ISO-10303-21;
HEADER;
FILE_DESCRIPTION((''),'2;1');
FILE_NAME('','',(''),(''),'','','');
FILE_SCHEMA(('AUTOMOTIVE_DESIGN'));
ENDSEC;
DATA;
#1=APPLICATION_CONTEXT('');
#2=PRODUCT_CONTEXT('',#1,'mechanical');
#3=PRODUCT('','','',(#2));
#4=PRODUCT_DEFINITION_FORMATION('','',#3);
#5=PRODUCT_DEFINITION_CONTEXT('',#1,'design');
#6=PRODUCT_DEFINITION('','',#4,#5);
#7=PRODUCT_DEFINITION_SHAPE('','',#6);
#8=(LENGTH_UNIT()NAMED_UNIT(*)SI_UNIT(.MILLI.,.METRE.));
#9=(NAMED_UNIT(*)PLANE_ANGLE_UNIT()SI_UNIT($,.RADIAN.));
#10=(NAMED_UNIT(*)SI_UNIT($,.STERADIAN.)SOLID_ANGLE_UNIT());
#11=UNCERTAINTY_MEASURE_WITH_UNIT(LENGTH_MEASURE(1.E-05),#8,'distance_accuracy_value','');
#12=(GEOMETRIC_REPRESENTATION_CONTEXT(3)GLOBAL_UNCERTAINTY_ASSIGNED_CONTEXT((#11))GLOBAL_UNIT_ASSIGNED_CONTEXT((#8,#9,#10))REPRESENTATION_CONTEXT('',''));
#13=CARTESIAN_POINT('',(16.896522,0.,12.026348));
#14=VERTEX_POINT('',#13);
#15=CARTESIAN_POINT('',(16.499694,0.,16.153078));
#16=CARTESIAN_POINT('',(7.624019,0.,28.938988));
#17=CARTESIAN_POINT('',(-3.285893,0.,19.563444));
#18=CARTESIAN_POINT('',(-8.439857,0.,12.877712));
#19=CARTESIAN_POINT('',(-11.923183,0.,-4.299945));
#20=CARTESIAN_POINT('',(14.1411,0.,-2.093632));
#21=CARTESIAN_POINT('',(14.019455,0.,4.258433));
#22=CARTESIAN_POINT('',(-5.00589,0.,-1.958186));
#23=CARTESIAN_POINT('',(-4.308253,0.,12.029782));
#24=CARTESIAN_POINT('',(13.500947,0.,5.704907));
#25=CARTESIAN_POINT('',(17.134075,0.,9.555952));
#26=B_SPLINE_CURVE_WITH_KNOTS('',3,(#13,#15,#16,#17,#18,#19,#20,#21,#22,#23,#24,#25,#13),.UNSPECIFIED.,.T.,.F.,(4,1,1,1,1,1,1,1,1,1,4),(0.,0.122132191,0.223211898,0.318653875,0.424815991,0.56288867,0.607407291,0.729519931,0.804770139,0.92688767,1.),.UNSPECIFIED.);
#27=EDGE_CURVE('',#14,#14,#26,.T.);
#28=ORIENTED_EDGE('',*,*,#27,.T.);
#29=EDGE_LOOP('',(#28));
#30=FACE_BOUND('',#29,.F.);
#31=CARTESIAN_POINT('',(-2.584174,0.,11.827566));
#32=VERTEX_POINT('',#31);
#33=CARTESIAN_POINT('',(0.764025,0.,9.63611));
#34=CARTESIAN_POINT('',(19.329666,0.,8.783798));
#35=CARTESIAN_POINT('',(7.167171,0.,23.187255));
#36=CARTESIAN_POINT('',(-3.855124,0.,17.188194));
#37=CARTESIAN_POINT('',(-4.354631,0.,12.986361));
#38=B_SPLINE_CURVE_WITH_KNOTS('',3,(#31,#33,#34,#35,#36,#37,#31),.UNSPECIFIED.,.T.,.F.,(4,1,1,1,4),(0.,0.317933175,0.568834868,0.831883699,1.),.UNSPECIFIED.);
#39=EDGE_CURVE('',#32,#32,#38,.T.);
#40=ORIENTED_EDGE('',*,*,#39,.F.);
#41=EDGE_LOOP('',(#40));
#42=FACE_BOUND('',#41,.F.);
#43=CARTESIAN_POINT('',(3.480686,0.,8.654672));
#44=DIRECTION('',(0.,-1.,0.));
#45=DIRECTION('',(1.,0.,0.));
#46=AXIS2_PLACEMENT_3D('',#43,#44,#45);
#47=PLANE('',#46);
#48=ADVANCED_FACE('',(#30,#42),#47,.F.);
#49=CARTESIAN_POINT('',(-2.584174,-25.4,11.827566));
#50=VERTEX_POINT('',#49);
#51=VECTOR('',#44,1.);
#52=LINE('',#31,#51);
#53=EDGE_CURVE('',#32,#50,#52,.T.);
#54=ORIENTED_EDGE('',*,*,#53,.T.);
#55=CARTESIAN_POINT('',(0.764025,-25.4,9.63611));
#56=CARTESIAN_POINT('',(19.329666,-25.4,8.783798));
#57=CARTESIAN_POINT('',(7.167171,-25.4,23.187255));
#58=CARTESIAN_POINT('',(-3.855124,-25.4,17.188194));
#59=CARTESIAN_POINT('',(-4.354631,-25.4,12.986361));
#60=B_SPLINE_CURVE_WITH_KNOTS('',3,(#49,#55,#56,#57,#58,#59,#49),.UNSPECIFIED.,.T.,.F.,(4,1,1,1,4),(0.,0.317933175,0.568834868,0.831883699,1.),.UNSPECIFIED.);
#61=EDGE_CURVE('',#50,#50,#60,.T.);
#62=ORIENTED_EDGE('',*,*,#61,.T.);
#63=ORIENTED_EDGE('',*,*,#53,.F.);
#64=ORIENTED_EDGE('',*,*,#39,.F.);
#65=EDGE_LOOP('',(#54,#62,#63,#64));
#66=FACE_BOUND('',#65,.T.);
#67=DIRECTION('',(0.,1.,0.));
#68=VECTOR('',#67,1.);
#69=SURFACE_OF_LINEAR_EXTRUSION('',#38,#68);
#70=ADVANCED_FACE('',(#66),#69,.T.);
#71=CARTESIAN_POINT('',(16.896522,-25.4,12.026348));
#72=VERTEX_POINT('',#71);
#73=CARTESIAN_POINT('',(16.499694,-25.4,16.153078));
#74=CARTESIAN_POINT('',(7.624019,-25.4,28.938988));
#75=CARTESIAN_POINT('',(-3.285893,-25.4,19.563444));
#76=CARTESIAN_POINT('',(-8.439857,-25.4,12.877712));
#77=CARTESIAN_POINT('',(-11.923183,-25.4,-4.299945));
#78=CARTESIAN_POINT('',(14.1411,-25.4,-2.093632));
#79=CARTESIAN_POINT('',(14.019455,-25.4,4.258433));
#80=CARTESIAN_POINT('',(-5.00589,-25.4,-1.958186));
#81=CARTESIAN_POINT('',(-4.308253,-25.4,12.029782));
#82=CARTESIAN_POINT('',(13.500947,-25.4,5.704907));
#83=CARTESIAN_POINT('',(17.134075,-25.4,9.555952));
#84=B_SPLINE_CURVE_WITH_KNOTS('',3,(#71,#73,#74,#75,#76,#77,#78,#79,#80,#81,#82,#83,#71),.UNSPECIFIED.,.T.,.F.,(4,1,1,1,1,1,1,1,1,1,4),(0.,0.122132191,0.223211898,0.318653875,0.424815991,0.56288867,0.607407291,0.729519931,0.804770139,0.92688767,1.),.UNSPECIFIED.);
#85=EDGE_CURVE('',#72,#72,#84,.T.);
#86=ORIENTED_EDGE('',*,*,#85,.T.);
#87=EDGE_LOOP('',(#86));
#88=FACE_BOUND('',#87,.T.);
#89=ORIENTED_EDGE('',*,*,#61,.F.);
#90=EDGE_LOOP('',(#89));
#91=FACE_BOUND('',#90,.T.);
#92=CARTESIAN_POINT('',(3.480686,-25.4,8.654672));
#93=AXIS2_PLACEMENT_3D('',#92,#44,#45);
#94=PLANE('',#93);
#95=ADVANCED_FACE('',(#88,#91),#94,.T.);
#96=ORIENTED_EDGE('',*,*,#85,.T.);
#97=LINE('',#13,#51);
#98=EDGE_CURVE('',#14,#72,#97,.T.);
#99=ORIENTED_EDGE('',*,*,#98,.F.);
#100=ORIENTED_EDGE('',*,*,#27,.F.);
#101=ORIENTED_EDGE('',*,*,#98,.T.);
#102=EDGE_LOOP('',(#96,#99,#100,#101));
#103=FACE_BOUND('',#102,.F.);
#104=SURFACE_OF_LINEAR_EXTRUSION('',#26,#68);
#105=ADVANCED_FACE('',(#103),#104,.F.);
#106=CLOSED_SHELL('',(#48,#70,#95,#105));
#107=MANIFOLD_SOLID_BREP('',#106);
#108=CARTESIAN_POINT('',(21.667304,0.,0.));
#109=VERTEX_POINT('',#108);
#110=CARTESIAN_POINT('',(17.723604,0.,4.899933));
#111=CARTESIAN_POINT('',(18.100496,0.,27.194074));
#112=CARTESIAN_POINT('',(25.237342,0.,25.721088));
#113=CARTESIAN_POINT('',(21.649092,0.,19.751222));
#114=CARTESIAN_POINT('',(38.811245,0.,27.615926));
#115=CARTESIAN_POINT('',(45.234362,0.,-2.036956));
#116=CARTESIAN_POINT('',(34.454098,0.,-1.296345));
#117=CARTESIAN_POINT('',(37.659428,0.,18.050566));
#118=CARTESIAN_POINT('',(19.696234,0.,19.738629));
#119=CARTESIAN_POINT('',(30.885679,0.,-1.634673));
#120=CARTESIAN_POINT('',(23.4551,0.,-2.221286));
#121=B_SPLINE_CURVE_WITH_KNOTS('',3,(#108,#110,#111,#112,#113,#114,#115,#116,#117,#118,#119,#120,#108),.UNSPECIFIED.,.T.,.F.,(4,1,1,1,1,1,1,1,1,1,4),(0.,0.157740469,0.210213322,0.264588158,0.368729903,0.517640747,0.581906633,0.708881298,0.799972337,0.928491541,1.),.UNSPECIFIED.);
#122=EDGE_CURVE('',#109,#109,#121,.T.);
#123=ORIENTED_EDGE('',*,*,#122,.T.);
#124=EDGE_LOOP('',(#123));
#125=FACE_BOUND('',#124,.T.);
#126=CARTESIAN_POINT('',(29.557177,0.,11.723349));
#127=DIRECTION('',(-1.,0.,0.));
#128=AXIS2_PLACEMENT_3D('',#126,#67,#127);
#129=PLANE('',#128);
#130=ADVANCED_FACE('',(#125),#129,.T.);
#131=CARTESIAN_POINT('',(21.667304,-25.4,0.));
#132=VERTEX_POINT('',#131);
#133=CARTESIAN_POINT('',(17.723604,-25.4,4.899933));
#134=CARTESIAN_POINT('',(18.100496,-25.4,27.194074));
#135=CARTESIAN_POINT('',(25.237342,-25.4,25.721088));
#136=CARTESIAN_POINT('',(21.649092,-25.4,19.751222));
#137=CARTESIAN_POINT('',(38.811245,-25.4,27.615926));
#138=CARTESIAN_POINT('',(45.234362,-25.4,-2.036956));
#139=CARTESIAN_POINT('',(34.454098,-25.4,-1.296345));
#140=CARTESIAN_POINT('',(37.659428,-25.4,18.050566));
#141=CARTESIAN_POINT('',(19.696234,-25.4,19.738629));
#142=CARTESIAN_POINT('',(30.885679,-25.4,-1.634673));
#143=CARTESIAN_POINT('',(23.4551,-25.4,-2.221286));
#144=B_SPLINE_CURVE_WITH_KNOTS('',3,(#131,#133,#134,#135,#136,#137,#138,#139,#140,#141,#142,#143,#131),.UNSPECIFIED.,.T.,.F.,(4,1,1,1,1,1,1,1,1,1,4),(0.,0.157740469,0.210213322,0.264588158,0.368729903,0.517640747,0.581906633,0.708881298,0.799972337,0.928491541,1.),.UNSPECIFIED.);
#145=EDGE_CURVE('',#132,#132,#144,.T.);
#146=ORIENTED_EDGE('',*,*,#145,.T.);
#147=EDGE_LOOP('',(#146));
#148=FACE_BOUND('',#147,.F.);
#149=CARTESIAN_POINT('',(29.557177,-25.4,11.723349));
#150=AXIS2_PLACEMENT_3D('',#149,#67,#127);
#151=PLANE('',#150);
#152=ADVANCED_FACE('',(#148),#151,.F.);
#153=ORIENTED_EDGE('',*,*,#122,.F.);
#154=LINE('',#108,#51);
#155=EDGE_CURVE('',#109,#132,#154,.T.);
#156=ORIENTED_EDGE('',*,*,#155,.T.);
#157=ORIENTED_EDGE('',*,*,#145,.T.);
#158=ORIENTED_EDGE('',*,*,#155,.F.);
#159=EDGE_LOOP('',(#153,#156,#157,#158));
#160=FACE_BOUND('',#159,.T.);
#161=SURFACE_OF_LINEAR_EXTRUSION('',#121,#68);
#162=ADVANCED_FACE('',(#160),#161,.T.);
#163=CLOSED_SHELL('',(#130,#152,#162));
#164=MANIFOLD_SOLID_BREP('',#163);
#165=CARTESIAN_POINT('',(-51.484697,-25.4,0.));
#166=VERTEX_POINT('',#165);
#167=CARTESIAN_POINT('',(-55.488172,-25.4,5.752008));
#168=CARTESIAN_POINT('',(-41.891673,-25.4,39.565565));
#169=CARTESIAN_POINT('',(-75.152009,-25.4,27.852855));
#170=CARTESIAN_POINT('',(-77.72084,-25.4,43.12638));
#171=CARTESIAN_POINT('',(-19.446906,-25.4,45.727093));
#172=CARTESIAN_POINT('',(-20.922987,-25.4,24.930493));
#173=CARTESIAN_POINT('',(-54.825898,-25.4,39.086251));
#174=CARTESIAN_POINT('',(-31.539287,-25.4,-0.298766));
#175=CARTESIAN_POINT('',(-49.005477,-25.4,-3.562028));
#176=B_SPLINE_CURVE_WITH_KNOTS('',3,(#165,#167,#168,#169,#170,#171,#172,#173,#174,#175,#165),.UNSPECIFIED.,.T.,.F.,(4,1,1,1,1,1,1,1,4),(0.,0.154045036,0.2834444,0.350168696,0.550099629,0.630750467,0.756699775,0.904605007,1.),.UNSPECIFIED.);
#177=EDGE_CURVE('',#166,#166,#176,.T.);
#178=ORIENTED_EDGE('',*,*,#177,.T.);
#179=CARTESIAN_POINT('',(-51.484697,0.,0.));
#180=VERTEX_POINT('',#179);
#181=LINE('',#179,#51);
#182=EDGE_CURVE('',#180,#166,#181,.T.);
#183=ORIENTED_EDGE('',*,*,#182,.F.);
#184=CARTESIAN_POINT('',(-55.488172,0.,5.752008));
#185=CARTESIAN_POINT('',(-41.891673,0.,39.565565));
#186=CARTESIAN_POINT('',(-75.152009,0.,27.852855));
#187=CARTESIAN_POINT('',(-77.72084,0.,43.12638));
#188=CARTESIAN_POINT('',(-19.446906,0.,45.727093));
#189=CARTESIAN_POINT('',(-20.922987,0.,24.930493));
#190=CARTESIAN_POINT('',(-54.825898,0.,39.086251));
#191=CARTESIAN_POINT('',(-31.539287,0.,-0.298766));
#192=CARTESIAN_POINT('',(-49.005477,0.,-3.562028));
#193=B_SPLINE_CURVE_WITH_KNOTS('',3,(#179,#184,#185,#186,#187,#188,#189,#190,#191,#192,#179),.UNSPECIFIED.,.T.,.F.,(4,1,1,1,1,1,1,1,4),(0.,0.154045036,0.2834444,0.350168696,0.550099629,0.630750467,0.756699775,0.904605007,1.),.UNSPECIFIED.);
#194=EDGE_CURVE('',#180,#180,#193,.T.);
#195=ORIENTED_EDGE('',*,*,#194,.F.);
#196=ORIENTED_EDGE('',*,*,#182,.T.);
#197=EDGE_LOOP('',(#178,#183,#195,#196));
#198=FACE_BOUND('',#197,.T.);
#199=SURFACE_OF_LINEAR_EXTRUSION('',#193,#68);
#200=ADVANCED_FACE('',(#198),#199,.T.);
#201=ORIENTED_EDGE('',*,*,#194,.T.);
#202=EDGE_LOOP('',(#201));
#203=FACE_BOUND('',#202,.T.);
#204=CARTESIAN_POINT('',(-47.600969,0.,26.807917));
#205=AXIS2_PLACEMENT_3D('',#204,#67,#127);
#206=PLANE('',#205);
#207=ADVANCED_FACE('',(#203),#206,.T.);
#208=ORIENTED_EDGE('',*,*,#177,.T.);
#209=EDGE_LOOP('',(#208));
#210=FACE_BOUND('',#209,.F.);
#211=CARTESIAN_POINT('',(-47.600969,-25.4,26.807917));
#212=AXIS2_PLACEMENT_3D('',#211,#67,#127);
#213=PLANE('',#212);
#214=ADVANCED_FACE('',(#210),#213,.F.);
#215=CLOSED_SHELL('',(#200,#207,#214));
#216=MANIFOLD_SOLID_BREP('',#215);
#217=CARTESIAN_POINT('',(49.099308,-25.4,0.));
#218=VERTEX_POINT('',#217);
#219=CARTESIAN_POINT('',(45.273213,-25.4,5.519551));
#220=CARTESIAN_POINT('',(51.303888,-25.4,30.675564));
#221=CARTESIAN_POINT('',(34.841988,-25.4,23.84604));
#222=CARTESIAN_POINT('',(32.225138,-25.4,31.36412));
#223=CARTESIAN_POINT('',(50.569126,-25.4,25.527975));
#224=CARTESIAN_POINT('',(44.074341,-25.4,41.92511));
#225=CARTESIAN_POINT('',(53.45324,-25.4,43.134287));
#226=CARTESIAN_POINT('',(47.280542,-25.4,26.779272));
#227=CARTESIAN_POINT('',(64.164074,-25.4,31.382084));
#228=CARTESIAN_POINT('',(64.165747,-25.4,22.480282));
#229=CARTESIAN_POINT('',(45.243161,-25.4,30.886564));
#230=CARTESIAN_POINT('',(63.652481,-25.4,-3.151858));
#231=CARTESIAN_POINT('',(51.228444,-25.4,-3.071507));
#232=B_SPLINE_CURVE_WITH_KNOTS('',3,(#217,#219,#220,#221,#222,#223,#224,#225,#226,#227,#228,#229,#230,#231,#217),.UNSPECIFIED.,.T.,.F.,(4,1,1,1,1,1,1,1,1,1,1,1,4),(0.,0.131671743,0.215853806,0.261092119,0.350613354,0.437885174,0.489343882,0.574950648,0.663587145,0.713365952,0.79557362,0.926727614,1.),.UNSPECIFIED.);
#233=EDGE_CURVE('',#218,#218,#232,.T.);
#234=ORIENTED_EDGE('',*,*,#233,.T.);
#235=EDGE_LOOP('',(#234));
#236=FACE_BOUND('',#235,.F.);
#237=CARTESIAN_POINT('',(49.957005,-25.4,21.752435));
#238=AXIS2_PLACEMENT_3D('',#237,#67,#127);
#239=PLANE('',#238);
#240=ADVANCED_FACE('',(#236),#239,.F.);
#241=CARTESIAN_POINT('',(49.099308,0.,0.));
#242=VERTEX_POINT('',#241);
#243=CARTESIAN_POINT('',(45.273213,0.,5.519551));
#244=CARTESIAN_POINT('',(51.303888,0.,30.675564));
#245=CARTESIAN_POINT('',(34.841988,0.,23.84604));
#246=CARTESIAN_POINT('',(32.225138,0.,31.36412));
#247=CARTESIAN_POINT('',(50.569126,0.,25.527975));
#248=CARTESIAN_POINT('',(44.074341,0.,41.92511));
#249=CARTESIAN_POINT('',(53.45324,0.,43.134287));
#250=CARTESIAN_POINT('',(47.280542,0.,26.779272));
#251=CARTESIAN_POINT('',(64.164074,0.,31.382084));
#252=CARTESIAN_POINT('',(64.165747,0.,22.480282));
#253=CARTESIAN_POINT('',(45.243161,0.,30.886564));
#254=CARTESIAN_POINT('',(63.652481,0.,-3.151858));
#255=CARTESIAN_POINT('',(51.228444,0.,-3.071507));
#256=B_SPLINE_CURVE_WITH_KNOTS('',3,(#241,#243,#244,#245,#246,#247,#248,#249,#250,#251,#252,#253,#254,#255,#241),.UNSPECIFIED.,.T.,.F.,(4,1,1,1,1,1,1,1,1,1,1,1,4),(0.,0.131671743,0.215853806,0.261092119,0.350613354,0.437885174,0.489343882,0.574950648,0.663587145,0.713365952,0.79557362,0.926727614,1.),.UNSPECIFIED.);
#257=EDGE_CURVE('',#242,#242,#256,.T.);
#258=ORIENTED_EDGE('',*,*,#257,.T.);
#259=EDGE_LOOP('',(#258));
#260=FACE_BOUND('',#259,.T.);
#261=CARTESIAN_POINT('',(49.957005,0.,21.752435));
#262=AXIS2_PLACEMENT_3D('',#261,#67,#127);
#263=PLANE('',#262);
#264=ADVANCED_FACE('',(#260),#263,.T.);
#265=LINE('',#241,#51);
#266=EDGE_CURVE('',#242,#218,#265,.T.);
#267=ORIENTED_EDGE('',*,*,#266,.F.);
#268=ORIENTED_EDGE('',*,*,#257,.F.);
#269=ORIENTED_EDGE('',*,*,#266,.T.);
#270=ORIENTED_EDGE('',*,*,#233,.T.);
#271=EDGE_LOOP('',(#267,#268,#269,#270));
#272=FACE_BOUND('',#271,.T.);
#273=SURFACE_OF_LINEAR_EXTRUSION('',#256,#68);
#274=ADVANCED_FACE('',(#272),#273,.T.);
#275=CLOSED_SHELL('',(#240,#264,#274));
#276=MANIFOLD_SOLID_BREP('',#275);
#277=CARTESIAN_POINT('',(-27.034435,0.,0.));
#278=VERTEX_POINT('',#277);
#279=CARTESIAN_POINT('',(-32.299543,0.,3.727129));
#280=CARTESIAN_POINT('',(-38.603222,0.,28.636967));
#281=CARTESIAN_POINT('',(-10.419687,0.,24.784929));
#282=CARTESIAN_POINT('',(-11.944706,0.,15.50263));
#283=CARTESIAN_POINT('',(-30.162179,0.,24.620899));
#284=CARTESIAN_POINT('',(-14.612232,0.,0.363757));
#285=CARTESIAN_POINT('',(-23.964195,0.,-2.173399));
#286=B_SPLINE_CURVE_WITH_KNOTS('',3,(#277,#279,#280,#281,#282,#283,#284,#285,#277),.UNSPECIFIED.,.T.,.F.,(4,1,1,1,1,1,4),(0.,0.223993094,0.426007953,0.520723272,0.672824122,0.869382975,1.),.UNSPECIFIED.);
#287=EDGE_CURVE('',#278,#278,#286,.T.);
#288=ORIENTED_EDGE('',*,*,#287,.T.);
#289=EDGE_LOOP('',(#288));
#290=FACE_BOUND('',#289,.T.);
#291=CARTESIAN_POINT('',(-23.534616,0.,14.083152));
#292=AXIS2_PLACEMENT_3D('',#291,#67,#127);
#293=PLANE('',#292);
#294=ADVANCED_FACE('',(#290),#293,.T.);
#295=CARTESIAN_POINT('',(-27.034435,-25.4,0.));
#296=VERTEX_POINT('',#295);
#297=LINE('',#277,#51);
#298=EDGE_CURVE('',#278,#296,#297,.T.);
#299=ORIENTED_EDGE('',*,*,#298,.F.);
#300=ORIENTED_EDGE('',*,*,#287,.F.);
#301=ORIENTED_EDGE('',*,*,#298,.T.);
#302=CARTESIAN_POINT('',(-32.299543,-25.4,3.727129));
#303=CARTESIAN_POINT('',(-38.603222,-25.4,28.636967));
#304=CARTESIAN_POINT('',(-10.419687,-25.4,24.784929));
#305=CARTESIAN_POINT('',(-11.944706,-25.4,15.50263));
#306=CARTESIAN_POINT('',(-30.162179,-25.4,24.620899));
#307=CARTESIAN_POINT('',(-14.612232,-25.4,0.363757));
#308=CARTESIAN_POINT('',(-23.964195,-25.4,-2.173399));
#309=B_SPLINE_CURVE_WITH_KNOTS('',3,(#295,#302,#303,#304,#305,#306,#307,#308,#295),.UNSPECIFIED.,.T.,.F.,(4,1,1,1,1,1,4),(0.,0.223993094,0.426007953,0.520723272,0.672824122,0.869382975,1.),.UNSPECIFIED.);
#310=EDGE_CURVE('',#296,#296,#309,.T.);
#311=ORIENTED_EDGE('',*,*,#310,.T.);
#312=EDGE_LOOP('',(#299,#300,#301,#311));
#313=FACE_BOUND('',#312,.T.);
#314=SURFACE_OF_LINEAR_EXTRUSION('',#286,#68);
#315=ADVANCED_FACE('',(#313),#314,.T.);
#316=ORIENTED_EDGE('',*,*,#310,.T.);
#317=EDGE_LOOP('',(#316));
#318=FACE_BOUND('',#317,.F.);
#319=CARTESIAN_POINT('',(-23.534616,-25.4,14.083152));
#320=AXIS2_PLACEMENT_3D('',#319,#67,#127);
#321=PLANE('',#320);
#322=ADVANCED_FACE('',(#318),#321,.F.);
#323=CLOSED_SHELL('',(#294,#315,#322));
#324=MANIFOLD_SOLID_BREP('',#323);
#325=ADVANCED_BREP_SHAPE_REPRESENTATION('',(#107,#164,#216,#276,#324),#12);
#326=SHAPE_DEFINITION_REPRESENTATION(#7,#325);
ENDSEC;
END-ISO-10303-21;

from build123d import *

# Parameters (mm, degrees)
F1_DEPTH = 25.4
F2_DEPTH = 25.4
F3_DEPTH = 25.4
F4_DEPTH = 25.4
F5_DEPTH = 25.4


with BuildPart() as f1:
    # F0 (on Front) → F1 (new body)
    with BuildSketch(Plane.XZ):
        with BuildLine():
            add(Edge.make_bspline(
                [(16.8965216726, 12.0263481513), (16.4996944983, 16.153078144), (7.6240188434, 28.9389877134), (-3.2858926798, 19.563443667), (-8.4398574838, 12.8777120567), (-11.9231828847, -4.2999450153), (14.1411002277, -2.093632211), (14.0194553526, 4.2584327791), (-5.0058898254, -1.9581861768), (-4.3082528874, 12.0297820916), (13.5009473419, 5.7049071555), (17.1340754179, 9.5559524001), (16.8965216726, 12.0263481513)],
                knots=[0, 0, 0, 0, 0.1221321913, 0.2232118976, 0.3186538746, 0.4248159906, 0.5628886704, 0.6074072909, 0.7295199308, 0.8047701386, 0.9268876697, 1, 1, 1, 1], degree=3))
        make_face()
        with BuildLine():
            add(Edge.make_bspline(
                [(-2.5841742754, 11.8275657296), (0.7640247912, 9.6361102193), (19.3296658206, 8.783797632), (7.167171462, 23.1872553875), (-3.8551241967, 17.1881939188), (-4.3546307319, 12.9863607954), (-2.5841742754, 11.8275657296)],
                knots=[0, 0, 0, 0, 0.3179331753, 0.5688348682, 0.8318836987, 1, 1, 1, 1], degree=3))
        make_face(mode=Mode.SUBTRACT)
    extrude(amount=F1_DEPTH)


with BuildPart() as f2:
    # F0 (on Front) → F2 (new body)
    with BuildSketch(Plane.XZ):
        with BuildLine():
            add(Edge.make_bspline(
                [(-51.4846965671, 0), (-55.4881718559, 5.7520084157), (-41.8916729321, 39.5655654302), (-75.1520086748, 27.8528547679), (-77.7208401977, 43.126380119), (-19.4469057458, 45.7270932787), (-20.9229872642, 24.9304934125), (-54.8258977117, 39.0862513231), (-31.5392868133, -0.2987656895), (-49.0054767997, -3.5620284721), (-51.4846965671, 0)],
                knots=[0, 0, 0, 0, 0.1540450356, 0.2834443999, 0.3501686959, 0.5500996294, 0.6307504671, 0.7566997751, 0.904605007, 1, 1, 1, 1], degree=3))
        make_face()
    extrude(amount=F2_DEPTH)


with BuildPart() as f3:
    # F0 (on Front) → F3 (new body)
    with BuildSketch(Plane.XZ):
        with BuildLine():
            add(Edge.make_bspline(
                [(-27.0344354212, 0), (-32.2995432854, 3.7271287599), (-38.6032218842, 28.6369671075), (-10.4196870637, 24.7849287509), (-11.9447055555, 15.5026295576), (-30.1621787834, 24.6208993657), (-14.6122315215, 0.3637565989), (-23.9641946531, -2.1733994748), (-27.0344354212, 0)],
                knots=[0, 0, 0, 0, 0.2239930936, 0.4260079526, 0.520723272, 0.6728241224, 0.8693829746, 1, 1, 1, 1], degree=3))
        make_face()
    extrude(amount=F3_DEPTH)


with BuildPart() as f4:
    # F0 (on Front) → F4 (new body)
    with BuildSketch(Plane.XZ):
        with BuildLine():
            add(Edge.make_bspline(
                [(21.6673035175, 0), (17.7236036191, 4.8999334172), (18.1004958663, 27.1940742325), (25.237342232, 25.7210880886), (21.6490920072, 19.751222441), (38.8112445486, 27.6159258913), (45.2343620338, -2.0369564498), (34.4540984618, -1.2963452376), (37.6594275166, 18.0505664411), (19.6962341261, 19.7386294069), (30.8856790893, -1.6346730136), (23.455100287, -2.2212859397), (21.6673035175, 0)],
                knots=[0, 0, 0, 0, 0.1577404694, 0.2102133217, 0.2645881578, 0.3687299034, 0.5176407475, 0.5819066329, 0.7088812983, 0.7999723368, 0.9284915412, 1, 1, 1, 1], degree=3))
        make_face()
    extrude(amount=F4_DEPTH)


with BuildPart() as f5:
    # F0 (on Front) → F5 (new body)
    with BuildSketch(Plane.XZ):
        with BuildLine():
            add(Edge.make_bspline(
                [(49.0993075073, 0), (45.2732132748, 5.5195508275), (51.3038880028, 30.6755638037), (34.8419882021, 23.8460403306), (32.2251378763, 31.3641200287), (50.5691262085, 25.5279746892), (44.0743405979, 41.9251102137), (53.4532400651, 43.1342865451), (47.2805421831, 26.7792719997), (64.1640736028, 31.3820836904), (64.1657474414, 22.4802818151), (45.2431612781, 30.8865635239), (63.6524805088, -3.1518580657), (51.2284435331, -3.0715068158), (49.0993075073, 0)],
                knots=[0, 0, 0, 0, 0.1316717429, 0.215853806, 0.2610921185, 0.3506133543, 0.4378851739, 0.4893438818, 0.5749506484, 0.6635871455, 0.713365952, 0.7955736198, 0.9267276145, 1, 1, 1, 1], degree=3))
        make_face()
    extrude(amount=F5_DEPTH)


solid = Compound([f1.part, f2.part, f3.part, f4.part, f5.part])
